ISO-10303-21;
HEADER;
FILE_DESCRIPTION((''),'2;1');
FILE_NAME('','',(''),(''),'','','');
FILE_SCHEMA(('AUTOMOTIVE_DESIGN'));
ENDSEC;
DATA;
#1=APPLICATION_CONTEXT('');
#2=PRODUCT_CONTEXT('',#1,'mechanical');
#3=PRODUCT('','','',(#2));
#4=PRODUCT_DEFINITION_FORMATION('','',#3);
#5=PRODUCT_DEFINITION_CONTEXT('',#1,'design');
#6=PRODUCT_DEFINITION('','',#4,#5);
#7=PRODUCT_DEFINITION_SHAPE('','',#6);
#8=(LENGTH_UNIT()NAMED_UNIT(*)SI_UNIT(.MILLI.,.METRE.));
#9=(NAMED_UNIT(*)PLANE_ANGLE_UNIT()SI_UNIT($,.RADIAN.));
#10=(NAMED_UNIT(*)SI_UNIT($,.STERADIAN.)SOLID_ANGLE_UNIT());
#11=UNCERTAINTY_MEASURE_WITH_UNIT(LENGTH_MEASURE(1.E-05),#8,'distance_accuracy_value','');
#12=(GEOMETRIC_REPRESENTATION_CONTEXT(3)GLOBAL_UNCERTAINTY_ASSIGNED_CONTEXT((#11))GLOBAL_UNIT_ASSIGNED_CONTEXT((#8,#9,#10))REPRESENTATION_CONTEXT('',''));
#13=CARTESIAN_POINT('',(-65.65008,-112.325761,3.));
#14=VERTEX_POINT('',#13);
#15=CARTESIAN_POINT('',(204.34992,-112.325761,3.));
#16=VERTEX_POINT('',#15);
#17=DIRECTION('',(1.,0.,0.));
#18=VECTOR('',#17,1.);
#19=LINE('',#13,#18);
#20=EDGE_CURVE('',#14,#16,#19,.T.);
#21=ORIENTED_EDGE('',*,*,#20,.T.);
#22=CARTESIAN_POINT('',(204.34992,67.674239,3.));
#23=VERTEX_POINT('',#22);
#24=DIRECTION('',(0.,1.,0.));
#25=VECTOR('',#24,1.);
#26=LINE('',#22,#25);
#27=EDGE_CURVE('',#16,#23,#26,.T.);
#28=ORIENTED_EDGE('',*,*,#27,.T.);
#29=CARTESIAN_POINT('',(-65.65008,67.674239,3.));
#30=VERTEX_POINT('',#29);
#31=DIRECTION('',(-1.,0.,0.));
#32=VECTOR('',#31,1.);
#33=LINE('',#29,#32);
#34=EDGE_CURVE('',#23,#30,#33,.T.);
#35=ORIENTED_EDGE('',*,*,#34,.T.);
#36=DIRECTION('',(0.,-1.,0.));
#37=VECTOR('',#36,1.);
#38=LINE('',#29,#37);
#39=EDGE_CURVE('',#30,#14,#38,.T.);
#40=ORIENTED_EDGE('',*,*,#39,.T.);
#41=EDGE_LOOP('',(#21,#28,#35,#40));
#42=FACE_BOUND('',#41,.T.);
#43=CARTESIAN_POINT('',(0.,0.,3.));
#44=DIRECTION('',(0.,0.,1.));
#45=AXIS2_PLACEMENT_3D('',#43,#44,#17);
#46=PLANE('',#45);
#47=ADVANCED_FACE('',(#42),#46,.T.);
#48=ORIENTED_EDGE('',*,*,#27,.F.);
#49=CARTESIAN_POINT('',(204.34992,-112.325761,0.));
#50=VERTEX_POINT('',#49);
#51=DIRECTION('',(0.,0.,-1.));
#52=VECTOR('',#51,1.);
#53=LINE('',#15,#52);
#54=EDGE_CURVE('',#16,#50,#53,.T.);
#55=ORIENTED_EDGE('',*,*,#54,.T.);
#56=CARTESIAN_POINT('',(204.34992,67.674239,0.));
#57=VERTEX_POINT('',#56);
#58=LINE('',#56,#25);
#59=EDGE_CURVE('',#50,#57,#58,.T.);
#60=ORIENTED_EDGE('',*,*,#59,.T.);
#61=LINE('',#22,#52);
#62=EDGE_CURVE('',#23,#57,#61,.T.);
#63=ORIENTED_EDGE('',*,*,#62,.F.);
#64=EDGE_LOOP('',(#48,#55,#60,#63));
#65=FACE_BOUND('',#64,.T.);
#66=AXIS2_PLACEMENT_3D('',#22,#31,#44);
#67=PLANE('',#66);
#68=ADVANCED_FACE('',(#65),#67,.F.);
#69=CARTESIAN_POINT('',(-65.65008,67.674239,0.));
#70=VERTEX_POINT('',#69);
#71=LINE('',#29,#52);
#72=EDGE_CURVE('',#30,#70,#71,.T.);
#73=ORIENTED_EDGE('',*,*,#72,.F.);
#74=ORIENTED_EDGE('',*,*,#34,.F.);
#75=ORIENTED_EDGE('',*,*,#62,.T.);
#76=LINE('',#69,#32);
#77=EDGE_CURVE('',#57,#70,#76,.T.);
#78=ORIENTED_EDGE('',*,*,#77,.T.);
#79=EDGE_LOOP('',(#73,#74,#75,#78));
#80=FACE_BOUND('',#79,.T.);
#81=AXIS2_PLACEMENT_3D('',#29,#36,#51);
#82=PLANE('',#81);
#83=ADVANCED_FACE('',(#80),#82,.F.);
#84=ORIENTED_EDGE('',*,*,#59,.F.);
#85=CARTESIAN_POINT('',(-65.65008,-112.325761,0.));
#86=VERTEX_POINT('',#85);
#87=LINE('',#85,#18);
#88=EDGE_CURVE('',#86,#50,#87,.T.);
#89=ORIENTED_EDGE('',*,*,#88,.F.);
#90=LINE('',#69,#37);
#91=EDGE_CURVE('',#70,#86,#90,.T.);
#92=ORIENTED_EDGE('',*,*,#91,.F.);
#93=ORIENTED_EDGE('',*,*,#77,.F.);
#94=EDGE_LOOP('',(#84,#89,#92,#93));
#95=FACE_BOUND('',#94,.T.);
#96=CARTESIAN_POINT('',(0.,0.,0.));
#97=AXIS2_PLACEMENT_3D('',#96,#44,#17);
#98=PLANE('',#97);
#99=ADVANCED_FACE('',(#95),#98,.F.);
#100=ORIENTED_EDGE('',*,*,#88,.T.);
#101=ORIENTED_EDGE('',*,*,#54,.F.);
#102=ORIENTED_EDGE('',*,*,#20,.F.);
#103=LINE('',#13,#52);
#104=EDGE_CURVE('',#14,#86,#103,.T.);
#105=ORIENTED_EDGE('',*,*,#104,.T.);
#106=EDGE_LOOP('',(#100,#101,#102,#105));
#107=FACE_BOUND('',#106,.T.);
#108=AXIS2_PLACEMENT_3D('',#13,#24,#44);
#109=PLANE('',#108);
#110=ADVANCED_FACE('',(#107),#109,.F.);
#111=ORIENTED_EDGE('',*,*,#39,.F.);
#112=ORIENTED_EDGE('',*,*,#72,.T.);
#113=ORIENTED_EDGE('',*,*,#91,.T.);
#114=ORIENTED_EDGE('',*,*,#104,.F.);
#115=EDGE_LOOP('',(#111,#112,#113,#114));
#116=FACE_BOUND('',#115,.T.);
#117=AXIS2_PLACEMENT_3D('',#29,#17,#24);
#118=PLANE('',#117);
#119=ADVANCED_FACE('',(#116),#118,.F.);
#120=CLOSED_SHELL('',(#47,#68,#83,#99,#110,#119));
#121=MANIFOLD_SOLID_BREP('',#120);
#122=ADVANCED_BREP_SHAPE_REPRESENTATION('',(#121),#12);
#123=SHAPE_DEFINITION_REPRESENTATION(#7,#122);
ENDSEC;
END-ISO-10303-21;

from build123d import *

# Parameters (mm, degrees)
ESQUISSE1_W        = 270
ESQUISSE1_H        = 180
BOSS_EXTRU_1_DEPTH = 3


with BuildPart() as part:
    # Esquisse1 → Boss.-Extru.1 (new body)
    with BuildSketch(Plane.XY):
        with Locations((69.349919944, -22.325761421)):
            Rectangle(ESQUISSE1_W, ESQUISSE1_H)
    extrude(amount=BOSS_EXTRU_1_DEPTH)


solid = part.part
